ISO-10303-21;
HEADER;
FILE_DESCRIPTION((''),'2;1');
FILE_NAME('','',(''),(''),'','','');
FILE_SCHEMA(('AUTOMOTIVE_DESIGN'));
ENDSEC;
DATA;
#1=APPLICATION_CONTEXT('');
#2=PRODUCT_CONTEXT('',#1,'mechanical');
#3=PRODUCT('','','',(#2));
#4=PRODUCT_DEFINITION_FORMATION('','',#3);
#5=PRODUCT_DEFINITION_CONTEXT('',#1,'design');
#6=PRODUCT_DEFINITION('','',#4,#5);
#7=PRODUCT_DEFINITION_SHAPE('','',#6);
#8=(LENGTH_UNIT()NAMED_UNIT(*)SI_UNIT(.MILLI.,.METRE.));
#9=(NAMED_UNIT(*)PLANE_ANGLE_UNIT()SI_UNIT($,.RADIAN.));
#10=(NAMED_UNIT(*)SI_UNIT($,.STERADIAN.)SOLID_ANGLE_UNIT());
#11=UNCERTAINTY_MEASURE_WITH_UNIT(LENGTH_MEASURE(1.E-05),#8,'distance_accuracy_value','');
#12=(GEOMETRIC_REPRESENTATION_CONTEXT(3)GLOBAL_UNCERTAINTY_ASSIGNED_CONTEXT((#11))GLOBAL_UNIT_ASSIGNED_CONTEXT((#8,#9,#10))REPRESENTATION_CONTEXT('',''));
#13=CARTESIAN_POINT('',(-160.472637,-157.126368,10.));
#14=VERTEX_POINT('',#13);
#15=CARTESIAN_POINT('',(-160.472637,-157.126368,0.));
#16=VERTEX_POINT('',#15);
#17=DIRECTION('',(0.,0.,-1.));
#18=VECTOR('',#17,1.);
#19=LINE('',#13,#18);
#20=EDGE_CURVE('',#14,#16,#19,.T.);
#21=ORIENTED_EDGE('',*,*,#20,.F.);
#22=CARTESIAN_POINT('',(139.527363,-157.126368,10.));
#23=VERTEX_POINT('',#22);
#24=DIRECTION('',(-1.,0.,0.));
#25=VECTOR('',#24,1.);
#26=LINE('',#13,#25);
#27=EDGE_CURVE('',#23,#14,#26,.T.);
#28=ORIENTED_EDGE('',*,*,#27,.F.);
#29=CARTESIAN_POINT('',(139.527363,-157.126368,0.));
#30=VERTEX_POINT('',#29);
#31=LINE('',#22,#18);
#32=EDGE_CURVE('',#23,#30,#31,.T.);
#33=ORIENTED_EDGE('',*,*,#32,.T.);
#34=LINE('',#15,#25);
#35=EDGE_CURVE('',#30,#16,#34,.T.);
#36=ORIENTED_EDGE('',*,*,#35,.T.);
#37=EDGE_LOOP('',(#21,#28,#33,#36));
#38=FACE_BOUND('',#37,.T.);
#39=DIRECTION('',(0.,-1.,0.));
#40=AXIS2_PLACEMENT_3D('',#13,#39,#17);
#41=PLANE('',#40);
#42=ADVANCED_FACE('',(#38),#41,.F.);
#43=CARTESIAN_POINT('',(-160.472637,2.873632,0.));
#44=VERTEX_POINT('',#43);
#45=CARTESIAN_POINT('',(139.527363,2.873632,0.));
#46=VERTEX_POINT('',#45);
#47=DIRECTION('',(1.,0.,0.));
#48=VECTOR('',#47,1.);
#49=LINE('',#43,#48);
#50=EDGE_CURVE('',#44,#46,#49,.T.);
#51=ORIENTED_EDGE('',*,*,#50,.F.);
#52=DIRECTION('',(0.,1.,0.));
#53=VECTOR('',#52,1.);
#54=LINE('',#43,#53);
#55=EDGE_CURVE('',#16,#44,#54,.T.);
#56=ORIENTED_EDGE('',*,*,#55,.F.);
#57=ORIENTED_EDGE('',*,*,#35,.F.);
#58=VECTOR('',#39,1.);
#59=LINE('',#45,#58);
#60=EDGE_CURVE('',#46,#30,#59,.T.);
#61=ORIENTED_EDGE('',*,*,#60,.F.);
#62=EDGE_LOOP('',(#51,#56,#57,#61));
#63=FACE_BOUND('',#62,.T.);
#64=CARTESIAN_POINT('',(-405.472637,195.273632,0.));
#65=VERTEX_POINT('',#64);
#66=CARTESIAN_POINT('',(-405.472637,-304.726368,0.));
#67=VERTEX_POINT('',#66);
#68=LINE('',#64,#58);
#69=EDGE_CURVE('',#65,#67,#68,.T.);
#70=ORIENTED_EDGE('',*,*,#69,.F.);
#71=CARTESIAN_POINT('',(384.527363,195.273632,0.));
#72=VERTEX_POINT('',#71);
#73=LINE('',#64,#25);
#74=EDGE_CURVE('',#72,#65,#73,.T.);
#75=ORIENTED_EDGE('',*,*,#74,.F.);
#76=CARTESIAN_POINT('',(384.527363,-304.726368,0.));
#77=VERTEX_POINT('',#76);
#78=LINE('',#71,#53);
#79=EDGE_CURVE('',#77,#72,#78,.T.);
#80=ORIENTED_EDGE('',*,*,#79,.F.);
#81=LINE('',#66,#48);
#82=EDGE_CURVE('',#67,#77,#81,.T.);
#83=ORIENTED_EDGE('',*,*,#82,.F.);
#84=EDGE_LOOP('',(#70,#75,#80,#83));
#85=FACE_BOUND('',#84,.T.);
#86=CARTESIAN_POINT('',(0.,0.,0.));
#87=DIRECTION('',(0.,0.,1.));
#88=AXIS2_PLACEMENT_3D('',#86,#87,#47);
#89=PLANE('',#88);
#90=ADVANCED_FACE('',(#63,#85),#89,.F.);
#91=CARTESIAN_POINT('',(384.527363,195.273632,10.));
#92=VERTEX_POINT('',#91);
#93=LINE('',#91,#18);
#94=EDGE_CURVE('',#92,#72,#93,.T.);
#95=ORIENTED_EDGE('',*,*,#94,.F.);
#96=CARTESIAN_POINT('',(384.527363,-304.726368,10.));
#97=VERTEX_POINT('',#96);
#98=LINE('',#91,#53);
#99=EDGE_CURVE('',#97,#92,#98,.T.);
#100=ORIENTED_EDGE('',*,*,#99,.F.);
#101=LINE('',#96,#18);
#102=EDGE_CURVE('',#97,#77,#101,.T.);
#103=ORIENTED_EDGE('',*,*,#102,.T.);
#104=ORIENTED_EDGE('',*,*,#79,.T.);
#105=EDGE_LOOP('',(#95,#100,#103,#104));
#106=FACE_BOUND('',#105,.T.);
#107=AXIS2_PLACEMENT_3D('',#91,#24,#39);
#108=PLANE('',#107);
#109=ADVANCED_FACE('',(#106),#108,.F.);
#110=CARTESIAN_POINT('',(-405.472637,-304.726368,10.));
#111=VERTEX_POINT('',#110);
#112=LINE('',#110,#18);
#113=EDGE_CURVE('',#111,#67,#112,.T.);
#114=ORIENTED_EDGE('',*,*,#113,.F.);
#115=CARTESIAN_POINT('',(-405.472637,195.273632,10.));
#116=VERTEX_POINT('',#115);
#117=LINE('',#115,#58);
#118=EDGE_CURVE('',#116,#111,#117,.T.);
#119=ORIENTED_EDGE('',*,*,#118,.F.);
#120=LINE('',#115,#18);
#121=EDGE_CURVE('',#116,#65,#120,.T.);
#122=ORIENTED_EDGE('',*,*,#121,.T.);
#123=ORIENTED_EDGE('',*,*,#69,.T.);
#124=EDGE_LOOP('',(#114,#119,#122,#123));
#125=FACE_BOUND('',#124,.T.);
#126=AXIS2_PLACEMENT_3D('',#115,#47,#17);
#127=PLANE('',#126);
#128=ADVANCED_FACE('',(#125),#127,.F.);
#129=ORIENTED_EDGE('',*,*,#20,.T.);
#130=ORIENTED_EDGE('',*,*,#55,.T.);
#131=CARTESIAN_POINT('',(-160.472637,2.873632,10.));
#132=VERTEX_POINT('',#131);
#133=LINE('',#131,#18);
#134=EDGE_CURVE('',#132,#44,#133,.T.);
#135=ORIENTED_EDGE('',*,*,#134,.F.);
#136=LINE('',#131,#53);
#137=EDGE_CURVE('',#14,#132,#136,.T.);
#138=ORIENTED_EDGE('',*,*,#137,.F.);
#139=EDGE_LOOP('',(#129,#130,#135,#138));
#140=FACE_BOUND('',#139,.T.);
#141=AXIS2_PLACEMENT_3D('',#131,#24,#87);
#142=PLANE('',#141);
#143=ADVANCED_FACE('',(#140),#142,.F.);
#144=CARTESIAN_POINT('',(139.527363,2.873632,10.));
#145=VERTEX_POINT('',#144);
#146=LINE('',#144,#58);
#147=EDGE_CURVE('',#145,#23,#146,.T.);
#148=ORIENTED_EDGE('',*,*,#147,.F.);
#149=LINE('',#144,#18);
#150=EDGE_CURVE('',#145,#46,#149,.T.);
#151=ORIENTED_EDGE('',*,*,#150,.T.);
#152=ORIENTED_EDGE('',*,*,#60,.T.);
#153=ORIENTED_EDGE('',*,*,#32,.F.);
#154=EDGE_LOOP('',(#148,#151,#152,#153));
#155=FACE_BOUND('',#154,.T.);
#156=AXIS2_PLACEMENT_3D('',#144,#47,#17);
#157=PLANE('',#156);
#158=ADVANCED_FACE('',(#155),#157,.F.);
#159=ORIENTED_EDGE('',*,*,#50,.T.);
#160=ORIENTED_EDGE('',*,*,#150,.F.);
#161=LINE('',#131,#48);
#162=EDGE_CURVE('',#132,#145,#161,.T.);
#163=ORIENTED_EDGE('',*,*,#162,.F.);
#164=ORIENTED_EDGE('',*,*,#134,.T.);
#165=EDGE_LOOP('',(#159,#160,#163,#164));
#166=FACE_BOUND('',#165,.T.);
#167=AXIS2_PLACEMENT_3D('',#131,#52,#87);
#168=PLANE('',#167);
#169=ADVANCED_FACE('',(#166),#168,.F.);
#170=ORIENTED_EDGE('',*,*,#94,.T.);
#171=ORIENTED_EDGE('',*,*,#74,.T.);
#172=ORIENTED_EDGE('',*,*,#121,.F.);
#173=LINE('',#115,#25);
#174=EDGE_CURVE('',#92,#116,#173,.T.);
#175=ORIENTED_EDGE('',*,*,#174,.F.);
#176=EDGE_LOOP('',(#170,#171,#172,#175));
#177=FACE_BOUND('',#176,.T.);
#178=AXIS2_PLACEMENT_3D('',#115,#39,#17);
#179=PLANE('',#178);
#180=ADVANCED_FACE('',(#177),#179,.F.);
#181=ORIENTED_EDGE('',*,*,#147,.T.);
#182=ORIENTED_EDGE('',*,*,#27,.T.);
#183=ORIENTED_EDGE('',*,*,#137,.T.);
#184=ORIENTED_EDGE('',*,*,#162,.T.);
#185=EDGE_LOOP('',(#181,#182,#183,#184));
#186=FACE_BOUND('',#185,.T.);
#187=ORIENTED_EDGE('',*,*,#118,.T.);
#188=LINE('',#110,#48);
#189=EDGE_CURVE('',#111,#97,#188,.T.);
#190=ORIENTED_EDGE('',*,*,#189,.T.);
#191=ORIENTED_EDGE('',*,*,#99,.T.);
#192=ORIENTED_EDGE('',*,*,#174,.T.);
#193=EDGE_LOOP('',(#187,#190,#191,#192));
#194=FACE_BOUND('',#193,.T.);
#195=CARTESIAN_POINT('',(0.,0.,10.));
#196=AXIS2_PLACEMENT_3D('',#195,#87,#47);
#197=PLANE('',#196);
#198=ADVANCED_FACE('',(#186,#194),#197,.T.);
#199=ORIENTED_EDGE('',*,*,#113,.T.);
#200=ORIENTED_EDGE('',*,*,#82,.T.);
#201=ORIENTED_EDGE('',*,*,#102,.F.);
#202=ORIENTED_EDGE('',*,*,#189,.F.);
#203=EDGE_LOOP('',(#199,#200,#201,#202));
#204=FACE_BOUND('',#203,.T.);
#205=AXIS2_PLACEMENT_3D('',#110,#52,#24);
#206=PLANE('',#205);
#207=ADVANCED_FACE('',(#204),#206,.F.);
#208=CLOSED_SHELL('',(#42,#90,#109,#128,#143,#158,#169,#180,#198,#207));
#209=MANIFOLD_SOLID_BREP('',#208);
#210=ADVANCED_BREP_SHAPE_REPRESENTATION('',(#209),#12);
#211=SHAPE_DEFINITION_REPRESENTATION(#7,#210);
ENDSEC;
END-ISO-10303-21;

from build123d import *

# Parameters (mm, degrees)
SKETCH1_W           = 790
SKETCH1_H           = 500
BOSS_EXTRUDE1_DEPTH = 10
SKETCH3_W           = 300
SKETCH3_H           = 160
CUT_EXTRUDE1_DEPTH  = 10


with BuildPart() as part:
    # Sketch1 → Boss-Extrude1 (new body)
    with BuildSketch(Plane.XY):
        with Locations((-10.472636816, -54.726368159)):
            Rectangle(SKETCH1_W, SKETCH1_H)
    extrude(amount=BOSS_EXTRUDE1_DEPTH)

    # Sketch3 → Cut-Extrude1 (cut)
    with BuildSketch(Plane(origin=(0, 0, 0), x_dir=(-1, 0, 0), z_dir=(0, 0, -1))):
        with Locations((10.472636816, -77.126368159)):
            Rectangle(SKETCH3_W, SKETCH3_H)
    extrude(amount=-CUT_EXTRUDE1_DEPTH, mode=Mode.SUBTRACT)


solid = part.part
